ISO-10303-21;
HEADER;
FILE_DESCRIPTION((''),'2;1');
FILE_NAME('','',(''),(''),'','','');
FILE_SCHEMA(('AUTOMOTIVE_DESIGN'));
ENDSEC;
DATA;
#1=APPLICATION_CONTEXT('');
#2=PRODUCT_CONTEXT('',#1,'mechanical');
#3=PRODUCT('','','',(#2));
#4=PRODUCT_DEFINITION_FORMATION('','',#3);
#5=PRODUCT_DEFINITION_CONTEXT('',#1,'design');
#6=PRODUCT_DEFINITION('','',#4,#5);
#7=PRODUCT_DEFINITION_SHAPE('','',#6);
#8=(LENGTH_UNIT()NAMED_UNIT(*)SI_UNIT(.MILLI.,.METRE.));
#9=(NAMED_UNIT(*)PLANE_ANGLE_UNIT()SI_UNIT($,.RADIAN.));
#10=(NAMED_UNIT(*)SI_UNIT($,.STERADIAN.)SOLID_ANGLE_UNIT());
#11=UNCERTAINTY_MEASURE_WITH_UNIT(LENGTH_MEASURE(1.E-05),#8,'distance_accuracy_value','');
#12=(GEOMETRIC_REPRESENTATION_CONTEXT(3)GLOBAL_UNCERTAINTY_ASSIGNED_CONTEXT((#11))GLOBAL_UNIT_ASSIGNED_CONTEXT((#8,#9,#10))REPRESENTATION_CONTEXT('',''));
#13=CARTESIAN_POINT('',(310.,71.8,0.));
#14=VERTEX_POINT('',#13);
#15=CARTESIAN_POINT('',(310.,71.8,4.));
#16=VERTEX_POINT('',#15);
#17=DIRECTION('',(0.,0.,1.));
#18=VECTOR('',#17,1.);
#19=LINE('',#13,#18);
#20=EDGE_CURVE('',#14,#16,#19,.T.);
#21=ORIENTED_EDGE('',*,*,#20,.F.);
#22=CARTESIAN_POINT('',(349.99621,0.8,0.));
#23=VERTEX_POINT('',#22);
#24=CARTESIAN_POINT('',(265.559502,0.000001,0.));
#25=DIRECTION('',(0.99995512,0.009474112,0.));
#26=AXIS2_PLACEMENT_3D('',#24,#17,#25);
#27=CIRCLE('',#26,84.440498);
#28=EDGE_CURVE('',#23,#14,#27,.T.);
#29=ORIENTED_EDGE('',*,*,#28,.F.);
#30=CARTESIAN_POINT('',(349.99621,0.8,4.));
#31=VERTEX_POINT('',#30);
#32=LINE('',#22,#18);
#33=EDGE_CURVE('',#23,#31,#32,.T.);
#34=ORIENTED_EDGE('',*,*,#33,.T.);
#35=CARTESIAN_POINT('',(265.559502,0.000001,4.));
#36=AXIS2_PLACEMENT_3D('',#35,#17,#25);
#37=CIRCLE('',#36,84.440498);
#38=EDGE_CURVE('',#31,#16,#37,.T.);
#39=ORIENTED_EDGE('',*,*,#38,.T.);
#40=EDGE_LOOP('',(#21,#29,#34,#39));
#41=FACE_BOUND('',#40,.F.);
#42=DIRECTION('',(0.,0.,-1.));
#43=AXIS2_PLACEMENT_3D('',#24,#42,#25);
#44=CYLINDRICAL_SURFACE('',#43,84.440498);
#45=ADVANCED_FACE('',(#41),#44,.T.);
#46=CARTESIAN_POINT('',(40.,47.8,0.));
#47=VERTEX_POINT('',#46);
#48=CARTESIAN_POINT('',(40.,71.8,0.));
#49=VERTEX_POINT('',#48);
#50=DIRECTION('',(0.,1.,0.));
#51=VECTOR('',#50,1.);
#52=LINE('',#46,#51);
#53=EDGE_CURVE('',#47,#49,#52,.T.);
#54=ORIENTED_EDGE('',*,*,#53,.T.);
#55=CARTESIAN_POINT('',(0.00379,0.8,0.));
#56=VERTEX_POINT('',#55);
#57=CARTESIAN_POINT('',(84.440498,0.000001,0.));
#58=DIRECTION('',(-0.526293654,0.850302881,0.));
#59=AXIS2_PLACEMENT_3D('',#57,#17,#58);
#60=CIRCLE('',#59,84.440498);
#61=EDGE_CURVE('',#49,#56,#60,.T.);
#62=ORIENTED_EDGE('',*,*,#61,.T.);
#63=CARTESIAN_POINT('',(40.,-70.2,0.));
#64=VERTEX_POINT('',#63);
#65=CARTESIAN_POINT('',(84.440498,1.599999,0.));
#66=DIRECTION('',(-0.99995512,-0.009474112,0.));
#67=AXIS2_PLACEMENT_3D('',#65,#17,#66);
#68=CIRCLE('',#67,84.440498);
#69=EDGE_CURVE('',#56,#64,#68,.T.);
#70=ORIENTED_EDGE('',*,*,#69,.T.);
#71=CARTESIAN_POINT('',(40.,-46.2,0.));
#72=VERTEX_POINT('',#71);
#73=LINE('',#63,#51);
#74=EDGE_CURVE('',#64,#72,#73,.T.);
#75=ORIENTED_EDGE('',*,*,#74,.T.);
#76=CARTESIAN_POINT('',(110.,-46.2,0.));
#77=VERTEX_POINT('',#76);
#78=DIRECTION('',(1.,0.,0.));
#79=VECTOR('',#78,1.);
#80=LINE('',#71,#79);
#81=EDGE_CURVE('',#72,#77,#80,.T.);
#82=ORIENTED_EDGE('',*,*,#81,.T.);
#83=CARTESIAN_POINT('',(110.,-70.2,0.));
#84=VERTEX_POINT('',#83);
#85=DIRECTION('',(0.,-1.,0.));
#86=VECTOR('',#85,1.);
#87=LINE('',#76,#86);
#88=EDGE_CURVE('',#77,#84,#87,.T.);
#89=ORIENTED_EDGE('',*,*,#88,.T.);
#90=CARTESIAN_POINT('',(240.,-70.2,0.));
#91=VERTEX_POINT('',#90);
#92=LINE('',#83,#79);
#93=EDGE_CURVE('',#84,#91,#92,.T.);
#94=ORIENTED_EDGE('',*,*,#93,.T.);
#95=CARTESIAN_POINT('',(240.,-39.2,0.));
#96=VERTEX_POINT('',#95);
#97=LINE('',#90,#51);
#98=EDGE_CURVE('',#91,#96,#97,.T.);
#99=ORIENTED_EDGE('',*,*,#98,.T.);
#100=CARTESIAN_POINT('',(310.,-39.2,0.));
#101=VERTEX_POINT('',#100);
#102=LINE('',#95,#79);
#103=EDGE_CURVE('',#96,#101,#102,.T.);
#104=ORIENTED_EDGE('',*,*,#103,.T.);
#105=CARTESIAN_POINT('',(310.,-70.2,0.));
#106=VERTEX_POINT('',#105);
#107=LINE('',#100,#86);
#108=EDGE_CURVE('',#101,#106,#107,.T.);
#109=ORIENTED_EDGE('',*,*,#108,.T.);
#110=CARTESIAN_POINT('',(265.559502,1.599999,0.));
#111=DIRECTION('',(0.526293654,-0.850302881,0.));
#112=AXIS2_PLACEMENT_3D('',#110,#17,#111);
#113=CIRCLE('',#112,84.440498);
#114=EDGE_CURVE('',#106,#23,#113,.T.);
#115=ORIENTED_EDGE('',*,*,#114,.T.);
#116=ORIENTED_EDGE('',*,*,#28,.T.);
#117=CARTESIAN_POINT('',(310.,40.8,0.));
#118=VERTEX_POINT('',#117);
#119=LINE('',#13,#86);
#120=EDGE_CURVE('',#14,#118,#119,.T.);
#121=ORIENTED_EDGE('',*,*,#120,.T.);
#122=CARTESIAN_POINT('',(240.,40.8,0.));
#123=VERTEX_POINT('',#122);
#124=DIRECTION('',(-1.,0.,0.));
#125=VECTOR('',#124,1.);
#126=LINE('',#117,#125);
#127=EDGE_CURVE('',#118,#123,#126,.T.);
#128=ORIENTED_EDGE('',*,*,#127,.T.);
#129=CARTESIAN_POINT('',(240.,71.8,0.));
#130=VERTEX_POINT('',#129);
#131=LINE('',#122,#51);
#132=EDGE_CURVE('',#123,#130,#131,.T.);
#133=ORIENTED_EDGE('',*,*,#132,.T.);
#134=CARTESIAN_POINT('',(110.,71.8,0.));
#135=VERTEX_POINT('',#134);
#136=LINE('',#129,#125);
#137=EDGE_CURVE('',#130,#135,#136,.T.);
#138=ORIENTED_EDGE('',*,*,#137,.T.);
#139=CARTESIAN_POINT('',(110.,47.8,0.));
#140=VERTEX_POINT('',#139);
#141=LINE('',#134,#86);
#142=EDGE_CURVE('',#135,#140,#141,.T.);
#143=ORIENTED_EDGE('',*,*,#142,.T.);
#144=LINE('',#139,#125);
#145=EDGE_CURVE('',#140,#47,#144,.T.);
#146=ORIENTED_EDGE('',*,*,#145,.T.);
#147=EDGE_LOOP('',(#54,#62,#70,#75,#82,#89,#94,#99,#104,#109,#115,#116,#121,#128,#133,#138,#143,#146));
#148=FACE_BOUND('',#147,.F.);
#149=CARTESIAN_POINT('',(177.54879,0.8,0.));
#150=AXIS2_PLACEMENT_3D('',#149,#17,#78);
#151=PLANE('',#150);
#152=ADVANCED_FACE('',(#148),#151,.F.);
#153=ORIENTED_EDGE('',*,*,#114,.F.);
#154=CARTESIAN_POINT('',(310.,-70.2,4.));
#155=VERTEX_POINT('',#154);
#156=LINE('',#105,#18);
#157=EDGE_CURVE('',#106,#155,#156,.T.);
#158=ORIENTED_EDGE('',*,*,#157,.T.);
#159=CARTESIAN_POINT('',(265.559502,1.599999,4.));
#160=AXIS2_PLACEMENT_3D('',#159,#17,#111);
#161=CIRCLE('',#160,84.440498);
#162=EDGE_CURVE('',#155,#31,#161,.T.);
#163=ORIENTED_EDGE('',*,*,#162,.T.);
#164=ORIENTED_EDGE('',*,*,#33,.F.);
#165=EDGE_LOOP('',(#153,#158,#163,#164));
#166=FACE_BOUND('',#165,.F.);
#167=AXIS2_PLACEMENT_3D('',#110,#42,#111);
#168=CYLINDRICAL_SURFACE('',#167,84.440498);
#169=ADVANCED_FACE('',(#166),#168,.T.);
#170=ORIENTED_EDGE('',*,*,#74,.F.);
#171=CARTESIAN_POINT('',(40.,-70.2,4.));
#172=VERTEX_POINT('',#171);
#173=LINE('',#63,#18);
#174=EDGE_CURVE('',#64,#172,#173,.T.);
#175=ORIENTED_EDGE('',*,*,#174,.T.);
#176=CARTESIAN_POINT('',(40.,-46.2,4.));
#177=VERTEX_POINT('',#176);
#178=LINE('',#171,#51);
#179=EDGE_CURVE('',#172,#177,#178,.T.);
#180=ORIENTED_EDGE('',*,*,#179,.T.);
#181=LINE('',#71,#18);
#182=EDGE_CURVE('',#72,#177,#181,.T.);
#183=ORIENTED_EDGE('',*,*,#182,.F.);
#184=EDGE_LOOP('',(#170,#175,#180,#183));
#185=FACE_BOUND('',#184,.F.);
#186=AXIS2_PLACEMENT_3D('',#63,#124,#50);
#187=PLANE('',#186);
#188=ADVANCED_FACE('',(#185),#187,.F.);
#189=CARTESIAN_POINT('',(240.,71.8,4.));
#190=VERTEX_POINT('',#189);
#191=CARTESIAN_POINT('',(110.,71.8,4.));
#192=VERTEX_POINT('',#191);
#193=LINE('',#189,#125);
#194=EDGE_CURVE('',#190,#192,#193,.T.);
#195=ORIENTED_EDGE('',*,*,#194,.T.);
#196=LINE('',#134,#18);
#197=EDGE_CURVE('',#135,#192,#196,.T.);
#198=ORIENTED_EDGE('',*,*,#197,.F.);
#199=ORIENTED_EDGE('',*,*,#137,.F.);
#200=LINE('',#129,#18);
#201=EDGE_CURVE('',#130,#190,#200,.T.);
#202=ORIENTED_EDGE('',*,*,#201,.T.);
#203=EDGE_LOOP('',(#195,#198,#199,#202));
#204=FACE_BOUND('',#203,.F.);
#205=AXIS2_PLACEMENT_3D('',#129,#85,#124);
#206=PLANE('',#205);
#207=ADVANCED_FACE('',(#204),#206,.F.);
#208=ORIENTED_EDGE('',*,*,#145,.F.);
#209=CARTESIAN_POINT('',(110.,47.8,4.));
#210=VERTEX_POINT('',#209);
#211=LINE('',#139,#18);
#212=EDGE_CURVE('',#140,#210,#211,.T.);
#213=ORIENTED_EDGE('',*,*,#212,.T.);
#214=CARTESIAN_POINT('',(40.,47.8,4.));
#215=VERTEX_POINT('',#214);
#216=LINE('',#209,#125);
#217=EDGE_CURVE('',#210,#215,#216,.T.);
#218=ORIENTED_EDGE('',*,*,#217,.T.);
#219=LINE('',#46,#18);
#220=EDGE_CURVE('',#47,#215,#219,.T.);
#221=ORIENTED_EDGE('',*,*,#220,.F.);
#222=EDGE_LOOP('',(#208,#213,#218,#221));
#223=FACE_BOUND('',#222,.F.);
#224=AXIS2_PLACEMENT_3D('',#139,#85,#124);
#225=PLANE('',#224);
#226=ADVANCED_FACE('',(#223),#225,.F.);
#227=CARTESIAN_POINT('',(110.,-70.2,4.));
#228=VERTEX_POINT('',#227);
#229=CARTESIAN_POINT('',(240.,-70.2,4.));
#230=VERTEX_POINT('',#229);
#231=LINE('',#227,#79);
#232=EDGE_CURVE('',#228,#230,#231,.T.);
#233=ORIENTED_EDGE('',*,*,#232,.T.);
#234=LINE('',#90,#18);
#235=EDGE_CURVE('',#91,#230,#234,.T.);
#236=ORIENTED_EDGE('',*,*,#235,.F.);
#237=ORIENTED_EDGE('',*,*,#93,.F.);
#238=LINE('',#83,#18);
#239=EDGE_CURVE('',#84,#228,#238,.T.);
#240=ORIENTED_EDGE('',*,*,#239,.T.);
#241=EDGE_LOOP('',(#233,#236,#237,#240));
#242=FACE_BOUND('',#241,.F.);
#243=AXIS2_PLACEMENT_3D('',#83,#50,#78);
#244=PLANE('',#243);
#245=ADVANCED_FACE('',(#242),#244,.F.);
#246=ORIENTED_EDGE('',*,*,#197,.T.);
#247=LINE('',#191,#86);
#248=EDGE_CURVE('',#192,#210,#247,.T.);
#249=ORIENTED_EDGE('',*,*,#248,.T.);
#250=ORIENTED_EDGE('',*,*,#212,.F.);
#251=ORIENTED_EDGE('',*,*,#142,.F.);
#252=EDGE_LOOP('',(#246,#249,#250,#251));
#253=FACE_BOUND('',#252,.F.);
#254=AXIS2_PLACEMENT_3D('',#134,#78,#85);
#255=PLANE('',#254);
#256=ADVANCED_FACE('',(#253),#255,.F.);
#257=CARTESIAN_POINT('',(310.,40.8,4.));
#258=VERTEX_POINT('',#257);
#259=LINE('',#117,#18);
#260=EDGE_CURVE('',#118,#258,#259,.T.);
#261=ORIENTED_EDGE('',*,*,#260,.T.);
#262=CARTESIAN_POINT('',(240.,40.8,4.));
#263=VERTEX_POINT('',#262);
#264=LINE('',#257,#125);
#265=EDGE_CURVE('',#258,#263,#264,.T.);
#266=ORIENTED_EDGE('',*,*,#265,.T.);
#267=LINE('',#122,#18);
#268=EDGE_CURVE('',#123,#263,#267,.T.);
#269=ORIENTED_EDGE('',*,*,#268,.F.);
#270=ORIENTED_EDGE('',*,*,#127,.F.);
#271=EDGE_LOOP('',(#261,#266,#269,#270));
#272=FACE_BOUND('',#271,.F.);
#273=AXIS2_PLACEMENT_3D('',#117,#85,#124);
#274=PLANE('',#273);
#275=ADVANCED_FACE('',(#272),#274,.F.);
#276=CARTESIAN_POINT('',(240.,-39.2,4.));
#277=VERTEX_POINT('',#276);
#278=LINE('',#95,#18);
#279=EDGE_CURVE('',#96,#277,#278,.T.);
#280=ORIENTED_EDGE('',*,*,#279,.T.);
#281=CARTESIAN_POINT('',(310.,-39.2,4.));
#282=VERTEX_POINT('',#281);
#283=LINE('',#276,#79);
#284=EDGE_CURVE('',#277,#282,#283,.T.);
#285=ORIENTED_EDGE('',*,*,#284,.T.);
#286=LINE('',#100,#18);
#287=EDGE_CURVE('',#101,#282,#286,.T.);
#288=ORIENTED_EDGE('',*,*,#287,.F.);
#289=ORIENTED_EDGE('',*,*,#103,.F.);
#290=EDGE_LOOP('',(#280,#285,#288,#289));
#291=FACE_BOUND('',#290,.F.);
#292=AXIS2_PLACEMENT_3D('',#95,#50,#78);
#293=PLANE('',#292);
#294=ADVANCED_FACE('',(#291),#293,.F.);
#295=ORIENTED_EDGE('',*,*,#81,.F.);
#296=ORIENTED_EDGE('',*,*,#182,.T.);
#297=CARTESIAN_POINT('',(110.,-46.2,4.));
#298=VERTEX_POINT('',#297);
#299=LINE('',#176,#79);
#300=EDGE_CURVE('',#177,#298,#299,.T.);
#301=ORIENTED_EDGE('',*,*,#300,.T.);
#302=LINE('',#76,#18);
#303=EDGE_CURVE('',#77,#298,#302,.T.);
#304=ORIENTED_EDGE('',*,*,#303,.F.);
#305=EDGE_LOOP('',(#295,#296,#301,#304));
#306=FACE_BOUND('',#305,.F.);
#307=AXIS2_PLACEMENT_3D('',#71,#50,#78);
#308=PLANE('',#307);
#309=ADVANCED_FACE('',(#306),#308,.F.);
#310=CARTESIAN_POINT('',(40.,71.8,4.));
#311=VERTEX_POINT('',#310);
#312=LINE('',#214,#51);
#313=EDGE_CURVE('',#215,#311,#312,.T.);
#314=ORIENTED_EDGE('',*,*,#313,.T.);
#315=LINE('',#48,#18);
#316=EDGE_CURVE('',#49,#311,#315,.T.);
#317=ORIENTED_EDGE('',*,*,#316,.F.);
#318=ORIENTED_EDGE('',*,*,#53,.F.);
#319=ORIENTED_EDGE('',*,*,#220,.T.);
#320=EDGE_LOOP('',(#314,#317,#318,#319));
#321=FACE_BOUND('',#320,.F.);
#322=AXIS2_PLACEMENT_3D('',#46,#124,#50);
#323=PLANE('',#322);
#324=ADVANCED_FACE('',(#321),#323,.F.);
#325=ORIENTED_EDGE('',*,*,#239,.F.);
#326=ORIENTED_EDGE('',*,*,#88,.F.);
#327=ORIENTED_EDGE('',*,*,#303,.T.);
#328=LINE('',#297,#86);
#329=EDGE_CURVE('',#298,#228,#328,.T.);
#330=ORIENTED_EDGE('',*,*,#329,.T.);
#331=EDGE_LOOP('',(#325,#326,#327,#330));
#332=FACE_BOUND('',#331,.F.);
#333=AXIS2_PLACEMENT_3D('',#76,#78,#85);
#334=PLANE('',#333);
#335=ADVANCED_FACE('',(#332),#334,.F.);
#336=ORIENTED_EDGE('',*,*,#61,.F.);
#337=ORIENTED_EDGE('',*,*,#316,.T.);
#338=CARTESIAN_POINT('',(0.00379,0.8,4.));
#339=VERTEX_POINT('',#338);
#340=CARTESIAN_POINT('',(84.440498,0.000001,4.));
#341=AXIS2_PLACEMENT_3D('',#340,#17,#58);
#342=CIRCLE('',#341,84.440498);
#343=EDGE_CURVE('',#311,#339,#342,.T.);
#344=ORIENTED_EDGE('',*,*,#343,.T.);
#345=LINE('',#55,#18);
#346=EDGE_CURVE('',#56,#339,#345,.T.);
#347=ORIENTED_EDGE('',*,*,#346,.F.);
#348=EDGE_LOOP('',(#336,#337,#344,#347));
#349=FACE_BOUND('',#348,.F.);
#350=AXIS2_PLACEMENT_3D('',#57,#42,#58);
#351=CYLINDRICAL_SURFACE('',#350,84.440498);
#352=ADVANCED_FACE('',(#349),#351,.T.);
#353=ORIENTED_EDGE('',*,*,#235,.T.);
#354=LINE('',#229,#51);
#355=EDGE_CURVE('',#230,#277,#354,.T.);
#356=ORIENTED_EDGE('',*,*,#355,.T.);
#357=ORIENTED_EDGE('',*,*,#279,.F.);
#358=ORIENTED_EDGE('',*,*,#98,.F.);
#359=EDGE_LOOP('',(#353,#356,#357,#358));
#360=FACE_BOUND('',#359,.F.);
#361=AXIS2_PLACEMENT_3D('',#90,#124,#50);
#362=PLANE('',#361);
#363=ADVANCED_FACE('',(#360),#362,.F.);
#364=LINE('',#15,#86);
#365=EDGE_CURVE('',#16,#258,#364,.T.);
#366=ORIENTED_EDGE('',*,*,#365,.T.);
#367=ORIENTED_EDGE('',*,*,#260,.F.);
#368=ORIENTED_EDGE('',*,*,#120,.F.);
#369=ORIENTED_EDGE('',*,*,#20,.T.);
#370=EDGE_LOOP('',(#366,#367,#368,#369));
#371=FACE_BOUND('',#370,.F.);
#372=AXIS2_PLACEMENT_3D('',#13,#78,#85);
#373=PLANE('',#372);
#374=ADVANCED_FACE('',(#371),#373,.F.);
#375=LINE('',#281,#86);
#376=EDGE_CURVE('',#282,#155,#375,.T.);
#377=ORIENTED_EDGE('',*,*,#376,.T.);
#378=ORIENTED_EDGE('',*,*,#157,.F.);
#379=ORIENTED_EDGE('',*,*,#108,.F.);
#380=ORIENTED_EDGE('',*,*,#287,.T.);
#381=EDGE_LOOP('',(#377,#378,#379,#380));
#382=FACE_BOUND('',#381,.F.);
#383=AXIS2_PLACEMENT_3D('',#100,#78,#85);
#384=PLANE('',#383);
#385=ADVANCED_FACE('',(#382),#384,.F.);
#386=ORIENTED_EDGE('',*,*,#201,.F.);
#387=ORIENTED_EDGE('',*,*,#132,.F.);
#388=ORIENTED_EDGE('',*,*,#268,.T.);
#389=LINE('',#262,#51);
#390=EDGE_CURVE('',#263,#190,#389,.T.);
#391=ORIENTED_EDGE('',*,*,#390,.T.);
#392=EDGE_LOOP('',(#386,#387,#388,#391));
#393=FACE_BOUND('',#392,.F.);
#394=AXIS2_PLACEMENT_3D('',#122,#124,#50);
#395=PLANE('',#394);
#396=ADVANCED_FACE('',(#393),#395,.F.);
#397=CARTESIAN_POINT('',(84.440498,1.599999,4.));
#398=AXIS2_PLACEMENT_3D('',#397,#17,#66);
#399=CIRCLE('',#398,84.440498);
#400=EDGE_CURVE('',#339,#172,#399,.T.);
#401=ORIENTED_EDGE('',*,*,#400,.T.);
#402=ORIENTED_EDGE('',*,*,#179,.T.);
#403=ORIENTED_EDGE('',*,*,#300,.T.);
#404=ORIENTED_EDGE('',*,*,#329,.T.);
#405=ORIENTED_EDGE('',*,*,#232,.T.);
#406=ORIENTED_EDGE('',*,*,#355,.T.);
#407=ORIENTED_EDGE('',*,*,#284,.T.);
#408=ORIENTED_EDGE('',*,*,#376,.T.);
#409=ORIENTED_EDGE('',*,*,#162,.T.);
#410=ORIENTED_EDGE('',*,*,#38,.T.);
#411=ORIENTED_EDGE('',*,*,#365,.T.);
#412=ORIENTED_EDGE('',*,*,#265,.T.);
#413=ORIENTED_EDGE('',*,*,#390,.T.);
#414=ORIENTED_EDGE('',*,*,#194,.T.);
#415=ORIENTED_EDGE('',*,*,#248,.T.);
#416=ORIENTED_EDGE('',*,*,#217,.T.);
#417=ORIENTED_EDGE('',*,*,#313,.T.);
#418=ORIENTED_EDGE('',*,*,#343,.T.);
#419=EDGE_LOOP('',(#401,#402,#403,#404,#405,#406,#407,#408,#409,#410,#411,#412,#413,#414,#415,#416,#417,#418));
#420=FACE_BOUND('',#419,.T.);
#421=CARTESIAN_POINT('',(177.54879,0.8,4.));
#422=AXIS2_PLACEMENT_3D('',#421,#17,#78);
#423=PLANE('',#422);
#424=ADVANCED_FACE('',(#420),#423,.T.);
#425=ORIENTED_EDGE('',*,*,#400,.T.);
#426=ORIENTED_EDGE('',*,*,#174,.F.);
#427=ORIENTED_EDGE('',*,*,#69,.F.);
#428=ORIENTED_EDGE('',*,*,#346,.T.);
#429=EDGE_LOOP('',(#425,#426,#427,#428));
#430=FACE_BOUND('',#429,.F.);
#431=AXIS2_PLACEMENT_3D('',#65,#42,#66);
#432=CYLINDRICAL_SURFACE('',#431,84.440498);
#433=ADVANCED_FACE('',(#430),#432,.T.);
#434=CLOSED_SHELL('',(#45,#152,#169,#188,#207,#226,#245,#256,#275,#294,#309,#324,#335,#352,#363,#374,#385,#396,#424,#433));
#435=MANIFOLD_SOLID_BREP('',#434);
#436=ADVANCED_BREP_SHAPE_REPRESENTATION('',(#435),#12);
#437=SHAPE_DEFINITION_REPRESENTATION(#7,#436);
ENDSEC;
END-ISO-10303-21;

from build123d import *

# Parameters (mm, degrees)
F1_DEPTH = 4


with BuildPart() as f1:
    # F0 (on Top) → F1 (new body)
    with BuildSketch(Plane.XY):
        with BuildLine():
            Line((40, 47.8), (40, 71.8))
            ThreePointArc((40, 71.8), (10.870235, 41.444109), (0.00379, 0.8))
            ThreePointArc((0.00379, 0.8), (10.870235, -39.844109), (40, -70.2))
            Line((40, -70.2), (40, -46.2))
            Line((40, -46.2), (110, -46.2))
            Line((110, -46.2), (110, -70.2))
            Line((110, -70.2), (240, -70.2))
            Line((240, -70.2), (240, -39.2))
            Line((240, -39.2), (310, -39.2))
            Line((310, -39.2), (310, -70.2))
            ThreePointArc((310, -70.2), (339.129765, -39.844109), (349.99621, 0.8))
            ThreePointArc((349.99621, 0.8), (339.129765, 41.444109), (310, 71.8))
            Line((310, 71.8), (310, 40.8))
            Line((310, 40.8), (240, 40.8))
            Line((240, 40.8), (240, 71.8))
            Line((240, 71.8), (110, 71.8))
            Line((110, 71.8), (110, 47.8))
            Line((110, 47.8), (40, 47.8))
        make_face()
    extrude(amount=F1_DEPTH)


solid = f1.part
